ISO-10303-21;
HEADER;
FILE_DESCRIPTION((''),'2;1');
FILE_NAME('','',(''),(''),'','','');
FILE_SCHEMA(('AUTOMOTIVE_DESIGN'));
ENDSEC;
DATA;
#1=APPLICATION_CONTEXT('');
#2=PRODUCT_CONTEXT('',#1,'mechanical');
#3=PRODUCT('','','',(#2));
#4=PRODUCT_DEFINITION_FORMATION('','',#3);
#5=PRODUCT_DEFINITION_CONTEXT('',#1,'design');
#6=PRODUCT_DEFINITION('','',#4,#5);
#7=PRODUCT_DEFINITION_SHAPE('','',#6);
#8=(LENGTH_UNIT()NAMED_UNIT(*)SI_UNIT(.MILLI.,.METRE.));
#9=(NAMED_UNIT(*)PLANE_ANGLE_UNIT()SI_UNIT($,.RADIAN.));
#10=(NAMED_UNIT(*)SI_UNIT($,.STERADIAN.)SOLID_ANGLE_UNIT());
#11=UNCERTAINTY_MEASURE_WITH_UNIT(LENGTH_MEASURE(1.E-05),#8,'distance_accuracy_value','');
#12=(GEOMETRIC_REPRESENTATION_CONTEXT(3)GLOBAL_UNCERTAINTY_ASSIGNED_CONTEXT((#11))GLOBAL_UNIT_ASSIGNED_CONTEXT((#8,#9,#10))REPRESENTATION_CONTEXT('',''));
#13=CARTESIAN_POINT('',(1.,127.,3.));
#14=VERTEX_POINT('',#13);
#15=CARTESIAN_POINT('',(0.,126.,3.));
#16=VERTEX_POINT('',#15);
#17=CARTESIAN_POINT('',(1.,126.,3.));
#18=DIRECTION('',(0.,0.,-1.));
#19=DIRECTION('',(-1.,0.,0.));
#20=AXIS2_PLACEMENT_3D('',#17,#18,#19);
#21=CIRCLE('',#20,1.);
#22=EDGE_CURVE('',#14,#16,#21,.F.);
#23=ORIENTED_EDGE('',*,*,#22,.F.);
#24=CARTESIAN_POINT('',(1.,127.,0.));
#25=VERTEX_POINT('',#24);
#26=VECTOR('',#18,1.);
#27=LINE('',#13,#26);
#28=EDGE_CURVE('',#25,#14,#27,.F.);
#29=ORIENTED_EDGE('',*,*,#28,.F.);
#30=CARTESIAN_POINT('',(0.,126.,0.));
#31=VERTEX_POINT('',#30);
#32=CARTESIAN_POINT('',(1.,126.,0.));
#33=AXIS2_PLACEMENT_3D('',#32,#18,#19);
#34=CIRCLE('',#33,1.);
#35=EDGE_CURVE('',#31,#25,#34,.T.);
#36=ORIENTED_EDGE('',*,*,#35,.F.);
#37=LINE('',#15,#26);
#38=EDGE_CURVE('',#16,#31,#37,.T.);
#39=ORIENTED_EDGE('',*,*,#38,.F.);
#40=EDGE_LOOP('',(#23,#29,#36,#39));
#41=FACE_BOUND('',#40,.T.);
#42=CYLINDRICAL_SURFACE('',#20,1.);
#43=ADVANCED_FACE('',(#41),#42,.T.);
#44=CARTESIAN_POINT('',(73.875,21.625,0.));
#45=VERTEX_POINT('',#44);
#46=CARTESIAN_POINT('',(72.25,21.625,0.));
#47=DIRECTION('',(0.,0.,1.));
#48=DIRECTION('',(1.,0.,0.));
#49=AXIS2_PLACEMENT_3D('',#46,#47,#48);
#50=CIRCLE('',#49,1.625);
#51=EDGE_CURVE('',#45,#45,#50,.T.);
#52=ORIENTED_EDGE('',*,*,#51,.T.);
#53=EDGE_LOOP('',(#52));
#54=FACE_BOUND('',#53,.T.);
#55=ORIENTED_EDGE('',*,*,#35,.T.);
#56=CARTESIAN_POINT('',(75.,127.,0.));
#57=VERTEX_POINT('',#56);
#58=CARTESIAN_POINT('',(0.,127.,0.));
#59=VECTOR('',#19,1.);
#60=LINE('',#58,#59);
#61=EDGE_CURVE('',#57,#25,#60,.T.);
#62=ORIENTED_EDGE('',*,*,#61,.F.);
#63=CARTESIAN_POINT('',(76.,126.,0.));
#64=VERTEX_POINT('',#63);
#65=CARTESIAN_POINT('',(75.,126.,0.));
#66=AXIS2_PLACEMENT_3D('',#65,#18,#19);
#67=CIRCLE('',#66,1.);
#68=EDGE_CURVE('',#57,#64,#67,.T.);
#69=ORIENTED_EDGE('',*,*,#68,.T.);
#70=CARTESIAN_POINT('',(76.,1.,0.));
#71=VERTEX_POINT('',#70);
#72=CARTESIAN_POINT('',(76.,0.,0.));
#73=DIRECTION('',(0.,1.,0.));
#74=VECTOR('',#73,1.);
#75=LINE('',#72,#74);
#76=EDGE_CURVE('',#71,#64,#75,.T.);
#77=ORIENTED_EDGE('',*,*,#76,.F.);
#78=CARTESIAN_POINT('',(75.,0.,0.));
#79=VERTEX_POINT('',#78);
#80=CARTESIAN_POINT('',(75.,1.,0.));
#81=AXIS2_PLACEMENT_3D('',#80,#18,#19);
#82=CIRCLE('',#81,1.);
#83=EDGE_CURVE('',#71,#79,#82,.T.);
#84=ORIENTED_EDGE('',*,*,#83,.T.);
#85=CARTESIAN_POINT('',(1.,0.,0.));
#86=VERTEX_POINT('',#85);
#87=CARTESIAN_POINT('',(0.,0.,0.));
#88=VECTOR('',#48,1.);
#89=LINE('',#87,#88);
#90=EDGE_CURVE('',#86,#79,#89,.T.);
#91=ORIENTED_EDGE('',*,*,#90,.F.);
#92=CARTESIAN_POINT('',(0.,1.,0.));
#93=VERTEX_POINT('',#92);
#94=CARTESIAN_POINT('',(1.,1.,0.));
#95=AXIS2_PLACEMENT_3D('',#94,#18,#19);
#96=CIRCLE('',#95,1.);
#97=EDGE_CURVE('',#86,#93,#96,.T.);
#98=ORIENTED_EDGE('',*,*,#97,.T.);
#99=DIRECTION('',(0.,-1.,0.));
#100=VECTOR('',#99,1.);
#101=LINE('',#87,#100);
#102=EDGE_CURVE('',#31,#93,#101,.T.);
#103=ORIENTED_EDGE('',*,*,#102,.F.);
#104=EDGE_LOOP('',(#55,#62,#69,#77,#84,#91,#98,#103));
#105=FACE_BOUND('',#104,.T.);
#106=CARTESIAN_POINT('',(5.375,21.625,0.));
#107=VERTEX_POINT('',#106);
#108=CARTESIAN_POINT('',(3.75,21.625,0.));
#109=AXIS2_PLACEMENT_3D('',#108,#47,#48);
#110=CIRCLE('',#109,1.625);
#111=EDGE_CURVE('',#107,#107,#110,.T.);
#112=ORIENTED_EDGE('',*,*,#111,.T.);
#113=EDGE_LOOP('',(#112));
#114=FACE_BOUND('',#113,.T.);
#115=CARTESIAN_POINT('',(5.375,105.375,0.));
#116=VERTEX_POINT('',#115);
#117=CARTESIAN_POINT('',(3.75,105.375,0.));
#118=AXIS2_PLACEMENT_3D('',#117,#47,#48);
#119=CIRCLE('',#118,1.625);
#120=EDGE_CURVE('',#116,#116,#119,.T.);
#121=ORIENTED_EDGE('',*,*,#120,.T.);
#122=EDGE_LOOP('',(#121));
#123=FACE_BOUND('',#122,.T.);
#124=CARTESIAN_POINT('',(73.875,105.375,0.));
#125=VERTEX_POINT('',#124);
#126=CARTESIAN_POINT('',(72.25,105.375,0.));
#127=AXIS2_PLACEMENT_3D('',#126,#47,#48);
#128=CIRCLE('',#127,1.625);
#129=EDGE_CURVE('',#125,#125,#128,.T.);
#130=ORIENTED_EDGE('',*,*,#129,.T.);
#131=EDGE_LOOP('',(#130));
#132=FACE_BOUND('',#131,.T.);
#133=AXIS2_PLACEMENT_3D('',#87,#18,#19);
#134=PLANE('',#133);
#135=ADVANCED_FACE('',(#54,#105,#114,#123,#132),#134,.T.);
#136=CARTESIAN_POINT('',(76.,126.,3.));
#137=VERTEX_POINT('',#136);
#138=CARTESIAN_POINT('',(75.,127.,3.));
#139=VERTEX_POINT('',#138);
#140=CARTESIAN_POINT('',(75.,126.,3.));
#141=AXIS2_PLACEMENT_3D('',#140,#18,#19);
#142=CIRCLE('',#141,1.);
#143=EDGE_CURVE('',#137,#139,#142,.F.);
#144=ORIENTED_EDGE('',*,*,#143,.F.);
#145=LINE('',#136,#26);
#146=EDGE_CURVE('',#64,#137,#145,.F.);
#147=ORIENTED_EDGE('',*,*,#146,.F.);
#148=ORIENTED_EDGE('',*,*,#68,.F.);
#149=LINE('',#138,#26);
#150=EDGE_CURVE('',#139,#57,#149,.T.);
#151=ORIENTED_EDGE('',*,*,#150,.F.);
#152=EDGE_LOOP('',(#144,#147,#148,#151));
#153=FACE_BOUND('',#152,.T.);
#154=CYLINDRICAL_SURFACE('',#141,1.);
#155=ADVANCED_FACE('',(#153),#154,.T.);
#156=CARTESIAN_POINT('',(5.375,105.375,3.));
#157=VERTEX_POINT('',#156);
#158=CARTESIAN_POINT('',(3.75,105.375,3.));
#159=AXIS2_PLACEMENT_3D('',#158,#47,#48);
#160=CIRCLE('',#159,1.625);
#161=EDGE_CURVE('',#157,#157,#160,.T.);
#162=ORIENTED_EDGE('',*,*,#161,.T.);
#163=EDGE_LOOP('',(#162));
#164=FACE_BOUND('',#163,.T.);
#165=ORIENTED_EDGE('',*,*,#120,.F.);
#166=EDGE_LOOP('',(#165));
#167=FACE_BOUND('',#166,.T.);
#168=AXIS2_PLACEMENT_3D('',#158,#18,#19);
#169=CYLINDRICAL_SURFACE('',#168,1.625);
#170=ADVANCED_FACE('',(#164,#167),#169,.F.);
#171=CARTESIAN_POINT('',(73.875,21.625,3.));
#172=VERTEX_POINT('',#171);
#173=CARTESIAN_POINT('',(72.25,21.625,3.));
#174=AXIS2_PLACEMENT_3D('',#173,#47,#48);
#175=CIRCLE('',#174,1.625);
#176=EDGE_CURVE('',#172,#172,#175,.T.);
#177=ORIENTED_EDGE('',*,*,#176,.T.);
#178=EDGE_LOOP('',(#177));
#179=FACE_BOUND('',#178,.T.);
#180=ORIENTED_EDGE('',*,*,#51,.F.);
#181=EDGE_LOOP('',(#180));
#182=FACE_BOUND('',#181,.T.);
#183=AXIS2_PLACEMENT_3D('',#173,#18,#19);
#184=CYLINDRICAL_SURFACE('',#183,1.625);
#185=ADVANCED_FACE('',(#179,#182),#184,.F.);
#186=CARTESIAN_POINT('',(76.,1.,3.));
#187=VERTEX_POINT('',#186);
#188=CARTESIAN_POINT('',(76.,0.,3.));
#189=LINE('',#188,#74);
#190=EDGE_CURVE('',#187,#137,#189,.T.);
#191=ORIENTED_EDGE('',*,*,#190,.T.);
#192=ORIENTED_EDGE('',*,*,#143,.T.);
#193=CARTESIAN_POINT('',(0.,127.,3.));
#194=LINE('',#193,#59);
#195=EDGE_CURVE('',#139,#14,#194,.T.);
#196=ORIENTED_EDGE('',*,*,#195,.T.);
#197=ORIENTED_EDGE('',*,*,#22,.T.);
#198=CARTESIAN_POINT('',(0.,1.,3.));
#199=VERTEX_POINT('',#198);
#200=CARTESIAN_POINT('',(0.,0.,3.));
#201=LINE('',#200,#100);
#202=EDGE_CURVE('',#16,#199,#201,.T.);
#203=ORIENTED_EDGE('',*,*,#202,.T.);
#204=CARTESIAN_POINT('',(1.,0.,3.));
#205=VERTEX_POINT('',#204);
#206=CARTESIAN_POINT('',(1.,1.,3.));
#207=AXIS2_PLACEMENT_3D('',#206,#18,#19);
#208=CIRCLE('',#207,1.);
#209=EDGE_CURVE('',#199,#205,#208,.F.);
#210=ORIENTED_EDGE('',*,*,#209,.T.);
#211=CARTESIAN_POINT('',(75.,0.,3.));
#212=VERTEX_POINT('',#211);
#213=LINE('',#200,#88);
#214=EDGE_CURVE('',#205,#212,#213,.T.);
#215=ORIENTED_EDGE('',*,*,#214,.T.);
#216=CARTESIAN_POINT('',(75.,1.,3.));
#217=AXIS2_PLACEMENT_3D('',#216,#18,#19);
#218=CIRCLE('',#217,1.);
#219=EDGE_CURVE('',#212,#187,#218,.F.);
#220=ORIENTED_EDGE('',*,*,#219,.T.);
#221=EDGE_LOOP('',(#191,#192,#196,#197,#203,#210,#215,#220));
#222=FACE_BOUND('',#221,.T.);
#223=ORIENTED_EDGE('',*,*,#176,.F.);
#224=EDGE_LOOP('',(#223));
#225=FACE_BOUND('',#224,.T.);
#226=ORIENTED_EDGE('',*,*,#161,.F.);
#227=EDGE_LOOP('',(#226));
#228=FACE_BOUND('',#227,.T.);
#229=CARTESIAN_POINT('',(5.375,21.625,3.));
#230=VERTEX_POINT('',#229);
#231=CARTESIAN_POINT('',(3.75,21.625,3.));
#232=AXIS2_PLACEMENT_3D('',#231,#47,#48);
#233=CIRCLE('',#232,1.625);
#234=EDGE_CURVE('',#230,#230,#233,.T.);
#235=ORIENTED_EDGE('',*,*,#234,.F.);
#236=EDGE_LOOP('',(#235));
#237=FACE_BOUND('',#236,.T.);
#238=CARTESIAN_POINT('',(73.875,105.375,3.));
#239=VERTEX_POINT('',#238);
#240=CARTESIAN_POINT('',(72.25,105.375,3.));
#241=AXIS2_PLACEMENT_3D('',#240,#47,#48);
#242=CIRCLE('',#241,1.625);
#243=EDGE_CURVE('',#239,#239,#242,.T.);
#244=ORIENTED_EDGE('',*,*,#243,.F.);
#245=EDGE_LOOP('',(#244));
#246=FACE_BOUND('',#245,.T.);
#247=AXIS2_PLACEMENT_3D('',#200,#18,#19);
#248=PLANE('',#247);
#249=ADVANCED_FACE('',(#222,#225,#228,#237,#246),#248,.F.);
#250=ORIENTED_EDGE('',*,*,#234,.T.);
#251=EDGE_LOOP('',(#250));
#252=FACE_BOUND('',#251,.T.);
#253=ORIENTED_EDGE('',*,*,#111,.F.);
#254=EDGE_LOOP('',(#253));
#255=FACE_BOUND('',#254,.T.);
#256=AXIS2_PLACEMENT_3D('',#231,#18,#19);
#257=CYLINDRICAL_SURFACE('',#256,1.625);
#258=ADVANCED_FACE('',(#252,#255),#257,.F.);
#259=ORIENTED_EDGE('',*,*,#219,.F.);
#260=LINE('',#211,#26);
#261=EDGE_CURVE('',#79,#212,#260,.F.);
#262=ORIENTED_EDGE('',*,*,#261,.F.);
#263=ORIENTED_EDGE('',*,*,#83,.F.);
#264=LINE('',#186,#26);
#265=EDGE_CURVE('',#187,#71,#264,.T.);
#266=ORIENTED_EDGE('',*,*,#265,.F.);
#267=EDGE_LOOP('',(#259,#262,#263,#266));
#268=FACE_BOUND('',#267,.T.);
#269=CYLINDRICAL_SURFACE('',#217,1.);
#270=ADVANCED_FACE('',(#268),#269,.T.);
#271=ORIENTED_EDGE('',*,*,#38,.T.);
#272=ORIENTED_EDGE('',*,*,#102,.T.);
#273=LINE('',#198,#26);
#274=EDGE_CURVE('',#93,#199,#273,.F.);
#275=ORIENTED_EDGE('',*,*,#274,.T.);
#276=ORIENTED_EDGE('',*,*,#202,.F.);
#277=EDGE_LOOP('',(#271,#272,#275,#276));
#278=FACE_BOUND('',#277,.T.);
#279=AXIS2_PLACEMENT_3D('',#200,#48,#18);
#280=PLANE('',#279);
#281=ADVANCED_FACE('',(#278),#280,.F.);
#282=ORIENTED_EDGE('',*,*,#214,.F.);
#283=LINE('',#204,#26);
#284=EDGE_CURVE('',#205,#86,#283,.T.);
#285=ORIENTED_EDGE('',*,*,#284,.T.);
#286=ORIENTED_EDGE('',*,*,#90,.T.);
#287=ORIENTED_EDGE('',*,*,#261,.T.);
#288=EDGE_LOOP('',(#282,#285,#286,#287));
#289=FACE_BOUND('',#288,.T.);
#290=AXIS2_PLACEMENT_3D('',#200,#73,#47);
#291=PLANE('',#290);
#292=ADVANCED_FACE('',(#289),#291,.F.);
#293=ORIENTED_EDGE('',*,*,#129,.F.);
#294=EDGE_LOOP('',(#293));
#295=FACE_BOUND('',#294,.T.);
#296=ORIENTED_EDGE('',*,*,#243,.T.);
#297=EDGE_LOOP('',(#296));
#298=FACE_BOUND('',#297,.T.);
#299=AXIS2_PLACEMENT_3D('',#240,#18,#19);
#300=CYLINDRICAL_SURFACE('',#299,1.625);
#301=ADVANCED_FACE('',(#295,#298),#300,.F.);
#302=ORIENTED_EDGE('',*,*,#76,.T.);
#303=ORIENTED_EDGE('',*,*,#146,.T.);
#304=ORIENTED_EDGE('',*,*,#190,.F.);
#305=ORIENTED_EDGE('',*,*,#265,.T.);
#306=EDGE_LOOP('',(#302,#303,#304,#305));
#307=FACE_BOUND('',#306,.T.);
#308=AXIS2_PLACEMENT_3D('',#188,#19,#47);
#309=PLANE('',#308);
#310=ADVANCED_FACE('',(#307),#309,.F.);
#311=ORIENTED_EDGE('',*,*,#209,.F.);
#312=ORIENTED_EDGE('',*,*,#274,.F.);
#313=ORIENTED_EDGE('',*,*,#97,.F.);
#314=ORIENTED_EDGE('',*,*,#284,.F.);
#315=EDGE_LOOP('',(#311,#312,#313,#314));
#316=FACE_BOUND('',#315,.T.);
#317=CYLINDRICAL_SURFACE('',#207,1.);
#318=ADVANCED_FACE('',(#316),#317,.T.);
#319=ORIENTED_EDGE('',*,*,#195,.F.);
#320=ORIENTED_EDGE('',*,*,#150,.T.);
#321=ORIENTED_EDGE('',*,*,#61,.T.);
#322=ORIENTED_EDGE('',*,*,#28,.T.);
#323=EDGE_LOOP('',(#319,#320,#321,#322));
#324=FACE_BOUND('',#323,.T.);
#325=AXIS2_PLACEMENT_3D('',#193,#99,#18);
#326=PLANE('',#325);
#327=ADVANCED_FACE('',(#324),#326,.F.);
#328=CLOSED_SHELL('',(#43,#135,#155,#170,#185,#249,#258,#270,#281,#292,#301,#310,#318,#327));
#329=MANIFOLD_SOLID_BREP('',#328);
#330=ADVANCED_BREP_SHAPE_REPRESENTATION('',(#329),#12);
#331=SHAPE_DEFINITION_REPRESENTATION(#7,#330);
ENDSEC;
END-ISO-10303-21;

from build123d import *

# Parameters (mm, degrees)
SKETCH1_W           = 76
SKETCH1_H           = 127
SKETCH1_R           = 1.625
BOSS_EXTRUDE1_DEPTH = 3
FILLET1_R           = 1


with BuildPart() as part:
    # Sketch1 → Boss-Extrude1 (new body)
    with BuildSketch(Plane.XY):
        with Locations((38, 63.5)):
            Rectangle(SKETCH1_W, SKETCH1_H)
        with Locations((3.75, 105.375)):
            Circle(SKETCH1_R, mode=Mode.SUBTRACT)
        with Locations((72.25, 105.375)):
            Circle(SKETCH1_R, mode=Mode.SUBTRACT)
        with Locations((72.25, 21.625)):
            Circle(SKETCH1_R, mode=Mode.SUBTRACT)
        with Locations((3.75, 21.625)):
            Circle(SKETCH1_R, mode=Mode.SUBTRACT)
    extrude(amount=BOSS_EXTRUDE1_DEPTH)

    # Fillet1
    fillet1_edges = [part.edges().sort_by_distance(p)[0] for p in [
        (0, 127, 1.5),
        (76, 127, 1.5),
        (76, 0, 1.5),
        (0, 0, 1.5),
    ]]
    fillet(fillet1_edges, radius=FILLET1_R)


solid = part.part
